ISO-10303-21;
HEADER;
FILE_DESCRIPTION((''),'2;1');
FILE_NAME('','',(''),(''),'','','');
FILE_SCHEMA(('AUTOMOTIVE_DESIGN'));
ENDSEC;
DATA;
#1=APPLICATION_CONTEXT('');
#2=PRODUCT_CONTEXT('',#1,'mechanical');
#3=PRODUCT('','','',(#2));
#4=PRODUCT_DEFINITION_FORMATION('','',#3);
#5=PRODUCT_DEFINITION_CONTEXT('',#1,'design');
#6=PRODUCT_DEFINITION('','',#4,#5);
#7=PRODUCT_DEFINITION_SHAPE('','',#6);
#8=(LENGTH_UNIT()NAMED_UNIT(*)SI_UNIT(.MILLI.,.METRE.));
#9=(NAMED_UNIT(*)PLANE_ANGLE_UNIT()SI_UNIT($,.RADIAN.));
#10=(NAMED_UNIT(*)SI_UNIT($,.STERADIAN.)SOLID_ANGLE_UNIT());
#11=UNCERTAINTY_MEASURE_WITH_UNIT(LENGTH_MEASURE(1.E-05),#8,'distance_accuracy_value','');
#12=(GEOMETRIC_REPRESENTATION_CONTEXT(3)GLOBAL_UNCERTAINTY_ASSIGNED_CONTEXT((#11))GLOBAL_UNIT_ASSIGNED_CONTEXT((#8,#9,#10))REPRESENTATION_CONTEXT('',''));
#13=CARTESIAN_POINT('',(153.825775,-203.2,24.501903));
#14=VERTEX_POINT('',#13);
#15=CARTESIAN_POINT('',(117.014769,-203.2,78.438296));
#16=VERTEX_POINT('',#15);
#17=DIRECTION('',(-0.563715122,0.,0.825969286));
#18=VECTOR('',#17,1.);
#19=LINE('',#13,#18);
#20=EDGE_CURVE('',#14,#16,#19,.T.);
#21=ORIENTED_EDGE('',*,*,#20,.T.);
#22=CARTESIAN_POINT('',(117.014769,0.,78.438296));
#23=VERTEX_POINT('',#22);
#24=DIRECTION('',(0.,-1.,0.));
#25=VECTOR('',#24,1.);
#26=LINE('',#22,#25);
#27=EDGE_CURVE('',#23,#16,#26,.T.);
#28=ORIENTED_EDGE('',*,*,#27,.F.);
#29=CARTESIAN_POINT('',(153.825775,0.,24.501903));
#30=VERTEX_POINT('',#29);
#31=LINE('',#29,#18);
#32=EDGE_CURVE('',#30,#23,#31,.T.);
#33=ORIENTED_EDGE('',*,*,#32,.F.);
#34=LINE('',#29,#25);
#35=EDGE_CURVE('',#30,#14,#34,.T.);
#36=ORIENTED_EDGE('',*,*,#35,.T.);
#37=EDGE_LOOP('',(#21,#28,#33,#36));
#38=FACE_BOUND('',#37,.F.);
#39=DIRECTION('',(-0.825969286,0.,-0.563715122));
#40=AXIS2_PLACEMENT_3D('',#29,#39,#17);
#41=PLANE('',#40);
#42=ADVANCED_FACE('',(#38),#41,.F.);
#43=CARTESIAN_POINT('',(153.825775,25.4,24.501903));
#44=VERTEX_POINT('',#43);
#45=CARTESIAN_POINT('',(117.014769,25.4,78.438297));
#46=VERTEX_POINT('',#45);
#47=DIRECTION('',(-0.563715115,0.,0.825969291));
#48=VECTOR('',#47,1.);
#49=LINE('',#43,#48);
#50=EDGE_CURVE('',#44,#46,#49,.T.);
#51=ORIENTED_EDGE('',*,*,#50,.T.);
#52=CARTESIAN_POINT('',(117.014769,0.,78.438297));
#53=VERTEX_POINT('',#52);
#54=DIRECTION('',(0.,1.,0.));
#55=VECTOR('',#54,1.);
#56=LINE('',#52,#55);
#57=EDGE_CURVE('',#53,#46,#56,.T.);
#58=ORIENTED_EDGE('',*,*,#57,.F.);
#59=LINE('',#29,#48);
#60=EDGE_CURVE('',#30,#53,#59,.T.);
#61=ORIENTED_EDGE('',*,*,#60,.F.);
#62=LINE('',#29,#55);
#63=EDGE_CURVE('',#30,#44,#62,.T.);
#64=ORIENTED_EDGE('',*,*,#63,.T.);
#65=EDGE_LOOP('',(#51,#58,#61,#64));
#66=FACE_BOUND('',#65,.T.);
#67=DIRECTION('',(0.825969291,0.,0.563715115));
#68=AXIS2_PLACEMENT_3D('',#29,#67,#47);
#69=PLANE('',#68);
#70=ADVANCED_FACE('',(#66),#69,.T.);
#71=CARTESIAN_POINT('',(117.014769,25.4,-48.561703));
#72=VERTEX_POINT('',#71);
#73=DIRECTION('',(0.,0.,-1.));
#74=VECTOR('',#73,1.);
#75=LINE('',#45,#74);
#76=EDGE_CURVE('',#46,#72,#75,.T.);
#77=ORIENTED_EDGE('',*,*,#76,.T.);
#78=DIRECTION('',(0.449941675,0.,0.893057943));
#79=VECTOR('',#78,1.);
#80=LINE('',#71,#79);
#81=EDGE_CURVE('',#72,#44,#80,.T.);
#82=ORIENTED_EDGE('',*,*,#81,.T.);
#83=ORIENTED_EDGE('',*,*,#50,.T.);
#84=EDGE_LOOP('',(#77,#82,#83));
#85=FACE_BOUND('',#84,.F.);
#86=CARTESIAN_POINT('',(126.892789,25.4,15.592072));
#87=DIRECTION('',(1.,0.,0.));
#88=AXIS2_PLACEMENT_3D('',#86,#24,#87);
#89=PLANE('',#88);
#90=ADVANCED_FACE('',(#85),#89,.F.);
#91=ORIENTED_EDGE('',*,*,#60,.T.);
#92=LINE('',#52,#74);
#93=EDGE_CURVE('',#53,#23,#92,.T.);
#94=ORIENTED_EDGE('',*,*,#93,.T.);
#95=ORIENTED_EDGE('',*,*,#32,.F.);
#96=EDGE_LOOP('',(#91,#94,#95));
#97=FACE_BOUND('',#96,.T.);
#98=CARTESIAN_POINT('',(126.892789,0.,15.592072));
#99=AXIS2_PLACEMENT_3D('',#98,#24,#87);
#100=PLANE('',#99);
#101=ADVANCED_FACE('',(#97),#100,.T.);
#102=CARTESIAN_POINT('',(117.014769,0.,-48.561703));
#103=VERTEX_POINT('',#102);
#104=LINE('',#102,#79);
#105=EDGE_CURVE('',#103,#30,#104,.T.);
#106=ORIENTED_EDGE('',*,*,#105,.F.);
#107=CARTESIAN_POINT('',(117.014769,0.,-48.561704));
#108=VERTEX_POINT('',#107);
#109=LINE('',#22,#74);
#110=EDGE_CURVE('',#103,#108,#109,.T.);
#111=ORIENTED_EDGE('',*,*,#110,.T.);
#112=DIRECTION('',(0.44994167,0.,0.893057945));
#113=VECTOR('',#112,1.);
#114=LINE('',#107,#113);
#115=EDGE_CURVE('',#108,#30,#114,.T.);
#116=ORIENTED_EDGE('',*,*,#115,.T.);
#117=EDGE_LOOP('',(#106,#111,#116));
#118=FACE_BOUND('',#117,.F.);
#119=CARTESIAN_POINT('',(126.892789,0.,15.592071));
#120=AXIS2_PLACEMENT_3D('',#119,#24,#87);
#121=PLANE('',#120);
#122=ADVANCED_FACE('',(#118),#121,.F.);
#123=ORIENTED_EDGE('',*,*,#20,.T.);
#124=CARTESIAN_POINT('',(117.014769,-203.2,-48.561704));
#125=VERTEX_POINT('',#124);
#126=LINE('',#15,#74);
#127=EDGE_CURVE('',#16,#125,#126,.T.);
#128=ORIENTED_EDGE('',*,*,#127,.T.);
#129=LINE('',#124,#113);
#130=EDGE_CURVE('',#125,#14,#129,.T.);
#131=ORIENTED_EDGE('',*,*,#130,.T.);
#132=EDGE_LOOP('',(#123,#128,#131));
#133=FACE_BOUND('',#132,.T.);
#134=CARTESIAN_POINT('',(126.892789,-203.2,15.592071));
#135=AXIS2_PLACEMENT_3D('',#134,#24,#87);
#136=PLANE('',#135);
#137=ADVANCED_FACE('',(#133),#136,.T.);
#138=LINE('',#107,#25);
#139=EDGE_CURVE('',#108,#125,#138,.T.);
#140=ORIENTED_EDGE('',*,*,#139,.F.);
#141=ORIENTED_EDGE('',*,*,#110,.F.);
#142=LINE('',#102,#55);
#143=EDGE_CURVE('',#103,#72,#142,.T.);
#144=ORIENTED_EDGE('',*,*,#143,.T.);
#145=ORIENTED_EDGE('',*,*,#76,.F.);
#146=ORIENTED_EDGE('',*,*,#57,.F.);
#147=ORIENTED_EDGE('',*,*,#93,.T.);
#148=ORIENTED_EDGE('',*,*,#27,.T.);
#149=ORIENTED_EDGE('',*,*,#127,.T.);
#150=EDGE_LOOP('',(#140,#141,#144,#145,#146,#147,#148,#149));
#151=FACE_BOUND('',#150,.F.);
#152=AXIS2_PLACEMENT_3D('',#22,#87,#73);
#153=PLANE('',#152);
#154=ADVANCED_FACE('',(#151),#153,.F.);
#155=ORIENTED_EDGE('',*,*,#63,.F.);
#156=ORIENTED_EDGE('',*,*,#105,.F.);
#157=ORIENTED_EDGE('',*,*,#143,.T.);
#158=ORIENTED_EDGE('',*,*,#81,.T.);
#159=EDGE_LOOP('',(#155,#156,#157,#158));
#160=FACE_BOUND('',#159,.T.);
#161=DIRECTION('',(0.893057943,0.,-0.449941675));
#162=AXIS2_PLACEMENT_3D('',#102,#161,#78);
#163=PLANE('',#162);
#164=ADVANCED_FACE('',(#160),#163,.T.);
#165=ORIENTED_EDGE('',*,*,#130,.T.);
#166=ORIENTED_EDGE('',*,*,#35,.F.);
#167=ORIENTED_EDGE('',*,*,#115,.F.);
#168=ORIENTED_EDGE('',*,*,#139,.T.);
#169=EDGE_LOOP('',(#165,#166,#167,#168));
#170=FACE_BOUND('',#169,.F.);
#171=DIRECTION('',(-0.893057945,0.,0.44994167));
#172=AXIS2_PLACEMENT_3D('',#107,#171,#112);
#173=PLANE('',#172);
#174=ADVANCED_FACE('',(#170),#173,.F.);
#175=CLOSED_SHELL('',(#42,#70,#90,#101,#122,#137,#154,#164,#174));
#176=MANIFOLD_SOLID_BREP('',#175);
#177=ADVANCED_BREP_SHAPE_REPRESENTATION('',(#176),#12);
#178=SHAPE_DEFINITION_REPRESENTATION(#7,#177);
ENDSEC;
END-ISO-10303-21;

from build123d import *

# Parameters (mm, degrees)
F1_DEPTH = 25.4
F2_DEPTH = 203.2


with BuildPart() as f1:
    # F0 (on Front) → F1 (new body)
    with BuildSketch(Plane.XZ):
        Polygon((153.825775, 24.501903), (117.014769, 78.438297), (117.014769, -48.561703), align=None)
    extrude(amount=-F1_DEPTH)

    # F1_face (on face) → F2 (join)
    with BuildSketch(Plane(origin=(129.285104, 0, 18.126165), x_dir=(1, 0, 0), z_dir=(0, -1, 0))):
        Polygon((-12.270335, -66.687869), (24.540671, 6.375738), (-12.270335, 60.312131), align=None)
    extrude(amount=F2_DEPTH)


solid = f1.part
